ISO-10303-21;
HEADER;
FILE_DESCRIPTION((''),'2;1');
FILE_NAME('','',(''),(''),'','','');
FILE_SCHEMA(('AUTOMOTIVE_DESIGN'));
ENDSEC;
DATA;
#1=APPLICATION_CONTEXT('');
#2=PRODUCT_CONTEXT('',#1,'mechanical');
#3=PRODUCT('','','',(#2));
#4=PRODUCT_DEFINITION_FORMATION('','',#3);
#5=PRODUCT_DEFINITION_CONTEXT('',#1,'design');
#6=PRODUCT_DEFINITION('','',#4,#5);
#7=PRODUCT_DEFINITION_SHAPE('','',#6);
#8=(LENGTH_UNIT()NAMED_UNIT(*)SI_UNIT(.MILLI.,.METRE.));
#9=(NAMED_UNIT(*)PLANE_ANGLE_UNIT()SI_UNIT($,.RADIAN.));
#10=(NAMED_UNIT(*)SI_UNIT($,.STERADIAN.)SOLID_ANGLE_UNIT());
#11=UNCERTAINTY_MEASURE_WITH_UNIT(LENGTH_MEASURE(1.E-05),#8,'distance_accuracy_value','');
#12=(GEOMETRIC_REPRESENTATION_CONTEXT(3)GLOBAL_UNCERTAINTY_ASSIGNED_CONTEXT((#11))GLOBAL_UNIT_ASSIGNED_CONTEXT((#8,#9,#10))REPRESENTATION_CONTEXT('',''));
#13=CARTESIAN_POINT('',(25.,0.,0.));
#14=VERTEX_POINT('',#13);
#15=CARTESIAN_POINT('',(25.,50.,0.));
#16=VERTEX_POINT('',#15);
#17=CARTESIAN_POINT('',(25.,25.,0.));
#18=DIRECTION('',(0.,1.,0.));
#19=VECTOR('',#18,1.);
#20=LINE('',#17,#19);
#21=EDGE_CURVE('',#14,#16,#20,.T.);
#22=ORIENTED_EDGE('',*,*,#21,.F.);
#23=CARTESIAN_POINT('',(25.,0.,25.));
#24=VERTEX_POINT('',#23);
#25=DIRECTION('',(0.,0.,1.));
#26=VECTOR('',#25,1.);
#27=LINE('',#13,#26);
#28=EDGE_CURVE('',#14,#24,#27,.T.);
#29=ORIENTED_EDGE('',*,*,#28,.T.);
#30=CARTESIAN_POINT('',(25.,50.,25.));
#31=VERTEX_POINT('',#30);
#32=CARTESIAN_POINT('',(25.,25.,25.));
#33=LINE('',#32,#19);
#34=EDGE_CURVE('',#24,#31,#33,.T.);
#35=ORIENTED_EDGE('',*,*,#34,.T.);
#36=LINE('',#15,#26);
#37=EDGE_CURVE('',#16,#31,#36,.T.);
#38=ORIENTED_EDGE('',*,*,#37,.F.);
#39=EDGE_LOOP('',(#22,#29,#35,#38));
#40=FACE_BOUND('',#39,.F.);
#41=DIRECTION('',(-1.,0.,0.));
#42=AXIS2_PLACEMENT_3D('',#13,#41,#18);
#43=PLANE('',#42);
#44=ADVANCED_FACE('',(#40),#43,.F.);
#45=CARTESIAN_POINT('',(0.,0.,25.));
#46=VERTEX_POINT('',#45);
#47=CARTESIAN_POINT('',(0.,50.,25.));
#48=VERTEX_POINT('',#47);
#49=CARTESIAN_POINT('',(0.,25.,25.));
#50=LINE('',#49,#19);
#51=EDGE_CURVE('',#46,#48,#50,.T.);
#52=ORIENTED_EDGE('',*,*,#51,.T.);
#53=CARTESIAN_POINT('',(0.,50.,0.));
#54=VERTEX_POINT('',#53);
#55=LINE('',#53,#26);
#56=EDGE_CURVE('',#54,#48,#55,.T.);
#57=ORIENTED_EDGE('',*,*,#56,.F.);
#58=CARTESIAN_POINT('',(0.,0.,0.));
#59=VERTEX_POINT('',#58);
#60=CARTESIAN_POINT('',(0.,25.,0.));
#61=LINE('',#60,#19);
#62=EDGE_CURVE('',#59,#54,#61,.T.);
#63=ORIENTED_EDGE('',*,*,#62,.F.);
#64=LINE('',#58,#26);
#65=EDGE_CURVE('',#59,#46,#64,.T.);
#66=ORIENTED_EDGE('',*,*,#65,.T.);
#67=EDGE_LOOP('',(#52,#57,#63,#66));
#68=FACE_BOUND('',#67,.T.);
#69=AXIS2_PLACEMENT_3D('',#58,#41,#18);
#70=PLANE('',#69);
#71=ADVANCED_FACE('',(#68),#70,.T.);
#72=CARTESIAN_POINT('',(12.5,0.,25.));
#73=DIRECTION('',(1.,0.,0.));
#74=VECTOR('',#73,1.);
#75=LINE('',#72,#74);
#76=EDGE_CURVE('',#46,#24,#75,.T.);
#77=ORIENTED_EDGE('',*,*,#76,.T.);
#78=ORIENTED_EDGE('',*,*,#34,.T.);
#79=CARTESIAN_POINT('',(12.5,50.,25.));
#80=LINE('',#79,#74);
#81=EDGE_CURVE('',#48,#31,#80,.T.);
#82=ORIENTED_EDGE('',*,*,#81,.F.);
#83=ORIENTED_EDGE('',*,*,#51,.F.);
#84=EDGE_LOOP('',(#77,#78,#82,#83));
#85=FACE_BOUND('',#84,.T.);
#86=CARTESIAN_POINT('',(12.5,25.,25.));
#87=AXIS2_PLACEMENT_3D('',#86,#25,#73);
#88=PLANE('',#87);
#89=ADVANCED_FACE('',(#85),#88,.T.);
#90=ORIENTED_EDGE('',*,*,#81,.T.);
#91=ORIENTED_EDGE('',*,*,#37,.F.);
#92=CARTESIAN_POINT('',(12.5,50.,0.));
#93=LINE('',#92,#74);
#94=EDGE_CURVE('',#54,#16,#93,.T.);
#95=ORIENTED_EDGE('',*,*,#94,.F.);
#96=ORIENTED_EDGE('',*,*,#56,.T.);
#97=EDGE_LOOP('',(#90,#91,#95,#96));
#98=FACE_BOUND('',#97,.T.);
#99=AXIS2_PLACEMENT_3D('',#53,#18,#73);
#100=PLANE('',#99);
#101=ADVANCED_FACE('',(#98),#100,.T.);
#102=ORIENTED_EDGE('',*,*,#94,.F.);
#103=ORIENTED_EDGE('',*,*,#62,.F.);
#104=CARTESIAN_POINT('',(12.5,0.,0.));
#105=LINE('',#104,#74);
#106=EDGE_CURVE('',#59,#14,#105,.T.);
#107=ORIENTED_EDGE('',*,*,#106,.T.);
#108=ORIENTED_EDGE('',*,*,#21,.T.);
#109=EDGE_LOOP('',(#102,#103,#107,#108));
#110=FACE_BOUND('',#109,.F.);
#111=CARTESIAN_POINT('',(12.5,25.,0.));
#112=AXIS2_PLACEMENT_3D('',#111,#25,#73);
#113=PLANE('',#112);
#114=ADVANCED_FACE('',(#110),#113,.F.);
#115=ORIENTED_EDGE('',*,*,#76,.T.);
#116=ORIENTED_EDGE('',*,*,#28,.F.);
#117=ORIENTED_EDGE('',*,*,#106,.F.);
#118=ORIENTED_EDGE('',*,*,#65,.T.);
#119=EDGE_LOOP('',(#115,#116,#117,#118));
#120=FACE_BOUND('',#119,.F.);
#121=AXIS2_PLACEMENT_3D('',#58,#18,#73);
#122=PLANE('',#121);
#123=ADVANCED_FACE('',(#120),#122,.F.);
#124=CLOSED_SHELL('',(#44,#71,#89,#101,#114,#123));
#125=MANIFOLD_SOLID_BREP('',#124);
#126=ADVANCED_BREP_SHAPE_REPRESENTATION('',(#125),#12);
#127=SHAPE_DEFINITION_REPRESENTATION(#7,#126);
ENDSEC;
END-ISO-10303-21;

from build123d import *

# Parameters (mm, degrees)
SKETCH_W  = 25
SKETCH_H  = 50
PAD_DEPTH = 25


with BuildPart() as part:
    # Sketch → Pad (new body)
    with BuildSketch(Plane.XY):
        with Locations((12.5, 25)):
            Rectangle(SKETCH_W, SKETCH_H)
    extrude(amount=PAD_DEPTH)


solid = part.part
